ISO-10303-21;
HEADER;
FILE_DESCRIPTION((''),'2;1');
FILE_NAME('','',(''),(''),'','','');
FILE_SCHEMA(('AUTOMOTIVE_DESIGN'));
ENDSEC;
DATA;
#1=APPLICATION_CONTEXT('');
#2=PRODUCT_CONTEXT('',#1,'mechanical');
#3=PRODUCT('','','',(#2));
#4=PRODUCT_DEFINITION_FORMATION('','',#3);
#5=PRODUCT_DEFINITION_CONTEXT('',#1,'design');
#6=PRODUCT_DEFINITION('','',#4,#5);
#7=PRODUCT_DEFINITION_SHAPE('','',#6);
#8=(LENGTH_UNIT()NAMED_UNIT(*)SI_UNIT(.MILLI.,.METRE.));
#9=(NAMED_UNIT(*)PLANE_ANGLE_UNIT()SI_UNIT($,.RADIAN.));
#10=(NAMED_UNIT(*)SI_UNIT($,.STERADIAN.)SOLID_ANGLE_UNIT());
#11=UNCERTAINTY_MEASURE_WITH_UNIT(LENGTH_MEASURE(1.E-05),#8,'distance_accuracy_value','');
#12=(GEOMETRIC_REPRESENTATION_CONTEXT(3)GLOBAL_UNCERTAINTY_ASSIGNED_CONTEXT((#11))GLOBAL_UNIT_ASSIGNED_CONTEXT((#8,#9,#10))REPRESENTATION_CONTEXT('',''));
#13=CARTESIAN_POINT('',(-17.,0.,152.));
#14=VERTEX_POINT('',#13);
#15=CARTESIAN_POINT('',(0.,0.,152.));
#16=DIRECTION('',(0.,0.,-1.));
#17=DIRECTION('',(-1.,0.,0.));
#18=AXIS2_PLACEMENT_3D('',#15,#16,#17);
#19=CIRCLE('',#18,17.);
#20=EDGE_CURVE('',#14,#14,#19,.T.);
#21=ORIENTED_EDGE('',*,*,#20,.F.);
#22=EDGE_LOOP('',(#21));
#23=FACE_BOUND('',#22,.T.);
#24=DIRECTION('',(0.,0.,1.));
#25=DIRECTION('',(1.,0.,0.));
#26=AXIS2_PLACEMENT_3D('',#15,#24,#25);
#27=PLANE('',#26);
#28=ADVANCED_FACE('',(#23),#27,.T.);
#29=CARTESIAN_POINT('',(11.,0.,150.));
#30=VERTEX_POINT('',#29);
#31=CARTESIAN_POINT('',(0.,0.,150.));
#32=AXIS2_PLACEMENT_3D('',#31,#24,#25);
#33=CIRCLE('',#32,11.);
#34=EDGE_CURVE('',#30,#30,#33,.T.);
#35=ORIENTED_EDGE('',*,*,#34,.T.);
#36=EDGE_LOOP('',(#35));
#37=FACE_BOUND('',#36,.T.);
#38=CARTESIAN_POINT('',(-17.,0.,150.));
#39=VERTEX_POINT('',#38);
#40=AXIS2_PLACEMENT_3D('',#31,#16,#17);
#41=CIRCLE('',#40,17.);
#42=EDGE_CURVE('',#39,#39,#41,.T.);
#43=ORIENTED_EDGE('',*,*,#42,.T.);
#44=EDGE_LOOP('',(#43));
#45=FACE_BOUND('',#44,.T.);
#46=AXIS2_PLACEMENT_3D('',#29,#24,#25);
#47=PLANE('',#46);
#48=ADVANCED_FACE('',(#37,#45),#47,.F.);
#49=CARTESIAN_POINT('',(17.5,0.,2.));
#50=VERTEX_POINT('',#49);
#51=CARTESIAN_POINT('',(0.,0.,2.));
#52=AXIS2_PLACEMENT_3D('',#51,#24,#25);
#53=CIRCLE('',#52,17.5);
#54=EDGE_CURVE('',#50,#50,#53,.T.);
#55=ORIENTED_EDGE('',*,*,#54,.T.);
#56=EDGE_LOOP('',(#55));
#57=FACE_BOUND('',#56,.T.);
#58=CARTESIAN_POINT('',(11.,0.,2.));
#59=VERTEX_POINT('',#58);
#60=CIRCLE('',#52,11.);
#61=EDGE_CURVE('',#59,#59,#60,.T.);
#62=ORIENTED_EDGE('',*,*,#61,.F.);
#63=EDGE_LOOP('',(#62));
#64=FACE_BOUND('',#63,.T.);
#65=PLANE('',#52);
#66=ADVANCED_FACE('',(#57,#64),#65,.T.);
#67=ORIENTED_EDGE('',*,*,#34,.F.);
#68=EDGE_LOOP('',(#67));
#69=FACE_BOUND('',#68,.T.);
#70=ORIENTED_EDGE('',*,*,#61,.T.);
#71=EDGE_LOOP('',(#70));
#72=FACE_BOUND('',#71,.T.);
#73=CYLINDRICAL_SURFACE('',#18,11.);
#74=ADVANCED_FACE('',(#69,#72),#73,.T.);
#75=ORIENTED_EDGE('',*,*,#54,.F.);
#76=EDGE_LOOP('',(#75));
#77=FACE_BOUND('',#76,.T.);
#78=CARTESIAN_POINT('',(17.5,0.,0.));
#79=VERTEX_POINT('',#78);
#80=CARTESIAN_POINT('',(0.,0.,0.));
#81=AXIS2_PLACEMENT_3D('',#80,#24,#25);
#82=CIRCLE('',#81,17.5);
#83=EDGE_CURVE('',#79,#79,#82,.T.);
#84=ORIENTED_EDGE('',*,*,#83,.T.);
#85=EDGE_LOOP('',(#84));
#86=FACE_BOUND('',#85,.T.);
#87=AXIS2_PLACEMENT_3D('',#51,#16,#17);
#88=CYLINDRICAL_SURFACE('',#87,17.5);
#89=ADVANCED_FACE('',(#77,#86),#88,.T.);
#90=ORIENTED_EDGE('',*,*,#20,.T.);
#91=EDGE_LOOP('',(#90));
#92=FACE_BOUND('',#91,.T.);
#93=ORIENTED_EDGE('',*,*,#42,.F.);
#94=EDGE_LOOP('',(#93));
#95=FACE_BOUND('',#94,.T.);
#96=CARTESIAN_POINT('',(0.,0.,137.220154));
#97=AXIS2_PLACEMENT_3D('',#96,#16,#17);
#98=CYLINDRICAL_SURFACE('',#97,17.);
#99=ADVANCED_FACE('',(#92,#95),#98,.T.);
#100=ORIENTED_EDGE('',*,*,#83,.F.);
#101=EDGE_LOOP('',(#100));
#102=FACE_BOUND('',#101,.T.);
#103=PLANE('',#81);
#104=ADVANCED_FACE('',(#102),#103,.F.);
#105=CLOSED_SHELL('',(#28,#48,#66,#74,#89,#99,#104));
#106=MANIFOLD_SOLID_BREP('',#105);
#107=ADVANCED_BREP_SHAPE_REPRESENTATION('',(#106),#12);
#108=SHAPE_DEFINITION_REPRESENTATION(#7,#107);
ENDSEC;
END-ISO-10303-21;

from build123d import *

# Parameters (mm, degrees)
ESQUISSE1_R        = 17.5
BOSS_EXTRU_1_DEPTH = 2
ESQUISSE2_R        = 11
BOSS_EXTRU_2_DEPTH = 150
ESQUISSE3_W        = 6
ESQUISSE3_H        = 2


with BuildPart() as part:
    # Esquisse1 → Boss.-Extru.1 (new body)
    with BuildSketch(Plane.XY):
        Circle(ESQUISSE1_R)
    extrude(amount=BOSS_EXTRU_1_DEPTH)

    # Esquisse2 → Boss.-Extru.2 (add)
    with BuildSketch(Plane.XY.offset(2)):
        Circle(ESQUISSE2_R)
    extrude(amount=BOSS_EXTRU_2_DEPTH)

    # Esquisse3 → Révolution1 (revolve)
    with BuildSketch(Plane(origin=(0, 0, 0), x_dir=(1, 0, 0), z_dir=(0, 1, 0))):
        with Locations((14, -151)):
            Rectangle(ESQUISSE3_W, ESQUISSE3_H)
    revolve(axis=Axis((0, 0, 137.220154247), (0, 0, 1)))


solid = part.part
